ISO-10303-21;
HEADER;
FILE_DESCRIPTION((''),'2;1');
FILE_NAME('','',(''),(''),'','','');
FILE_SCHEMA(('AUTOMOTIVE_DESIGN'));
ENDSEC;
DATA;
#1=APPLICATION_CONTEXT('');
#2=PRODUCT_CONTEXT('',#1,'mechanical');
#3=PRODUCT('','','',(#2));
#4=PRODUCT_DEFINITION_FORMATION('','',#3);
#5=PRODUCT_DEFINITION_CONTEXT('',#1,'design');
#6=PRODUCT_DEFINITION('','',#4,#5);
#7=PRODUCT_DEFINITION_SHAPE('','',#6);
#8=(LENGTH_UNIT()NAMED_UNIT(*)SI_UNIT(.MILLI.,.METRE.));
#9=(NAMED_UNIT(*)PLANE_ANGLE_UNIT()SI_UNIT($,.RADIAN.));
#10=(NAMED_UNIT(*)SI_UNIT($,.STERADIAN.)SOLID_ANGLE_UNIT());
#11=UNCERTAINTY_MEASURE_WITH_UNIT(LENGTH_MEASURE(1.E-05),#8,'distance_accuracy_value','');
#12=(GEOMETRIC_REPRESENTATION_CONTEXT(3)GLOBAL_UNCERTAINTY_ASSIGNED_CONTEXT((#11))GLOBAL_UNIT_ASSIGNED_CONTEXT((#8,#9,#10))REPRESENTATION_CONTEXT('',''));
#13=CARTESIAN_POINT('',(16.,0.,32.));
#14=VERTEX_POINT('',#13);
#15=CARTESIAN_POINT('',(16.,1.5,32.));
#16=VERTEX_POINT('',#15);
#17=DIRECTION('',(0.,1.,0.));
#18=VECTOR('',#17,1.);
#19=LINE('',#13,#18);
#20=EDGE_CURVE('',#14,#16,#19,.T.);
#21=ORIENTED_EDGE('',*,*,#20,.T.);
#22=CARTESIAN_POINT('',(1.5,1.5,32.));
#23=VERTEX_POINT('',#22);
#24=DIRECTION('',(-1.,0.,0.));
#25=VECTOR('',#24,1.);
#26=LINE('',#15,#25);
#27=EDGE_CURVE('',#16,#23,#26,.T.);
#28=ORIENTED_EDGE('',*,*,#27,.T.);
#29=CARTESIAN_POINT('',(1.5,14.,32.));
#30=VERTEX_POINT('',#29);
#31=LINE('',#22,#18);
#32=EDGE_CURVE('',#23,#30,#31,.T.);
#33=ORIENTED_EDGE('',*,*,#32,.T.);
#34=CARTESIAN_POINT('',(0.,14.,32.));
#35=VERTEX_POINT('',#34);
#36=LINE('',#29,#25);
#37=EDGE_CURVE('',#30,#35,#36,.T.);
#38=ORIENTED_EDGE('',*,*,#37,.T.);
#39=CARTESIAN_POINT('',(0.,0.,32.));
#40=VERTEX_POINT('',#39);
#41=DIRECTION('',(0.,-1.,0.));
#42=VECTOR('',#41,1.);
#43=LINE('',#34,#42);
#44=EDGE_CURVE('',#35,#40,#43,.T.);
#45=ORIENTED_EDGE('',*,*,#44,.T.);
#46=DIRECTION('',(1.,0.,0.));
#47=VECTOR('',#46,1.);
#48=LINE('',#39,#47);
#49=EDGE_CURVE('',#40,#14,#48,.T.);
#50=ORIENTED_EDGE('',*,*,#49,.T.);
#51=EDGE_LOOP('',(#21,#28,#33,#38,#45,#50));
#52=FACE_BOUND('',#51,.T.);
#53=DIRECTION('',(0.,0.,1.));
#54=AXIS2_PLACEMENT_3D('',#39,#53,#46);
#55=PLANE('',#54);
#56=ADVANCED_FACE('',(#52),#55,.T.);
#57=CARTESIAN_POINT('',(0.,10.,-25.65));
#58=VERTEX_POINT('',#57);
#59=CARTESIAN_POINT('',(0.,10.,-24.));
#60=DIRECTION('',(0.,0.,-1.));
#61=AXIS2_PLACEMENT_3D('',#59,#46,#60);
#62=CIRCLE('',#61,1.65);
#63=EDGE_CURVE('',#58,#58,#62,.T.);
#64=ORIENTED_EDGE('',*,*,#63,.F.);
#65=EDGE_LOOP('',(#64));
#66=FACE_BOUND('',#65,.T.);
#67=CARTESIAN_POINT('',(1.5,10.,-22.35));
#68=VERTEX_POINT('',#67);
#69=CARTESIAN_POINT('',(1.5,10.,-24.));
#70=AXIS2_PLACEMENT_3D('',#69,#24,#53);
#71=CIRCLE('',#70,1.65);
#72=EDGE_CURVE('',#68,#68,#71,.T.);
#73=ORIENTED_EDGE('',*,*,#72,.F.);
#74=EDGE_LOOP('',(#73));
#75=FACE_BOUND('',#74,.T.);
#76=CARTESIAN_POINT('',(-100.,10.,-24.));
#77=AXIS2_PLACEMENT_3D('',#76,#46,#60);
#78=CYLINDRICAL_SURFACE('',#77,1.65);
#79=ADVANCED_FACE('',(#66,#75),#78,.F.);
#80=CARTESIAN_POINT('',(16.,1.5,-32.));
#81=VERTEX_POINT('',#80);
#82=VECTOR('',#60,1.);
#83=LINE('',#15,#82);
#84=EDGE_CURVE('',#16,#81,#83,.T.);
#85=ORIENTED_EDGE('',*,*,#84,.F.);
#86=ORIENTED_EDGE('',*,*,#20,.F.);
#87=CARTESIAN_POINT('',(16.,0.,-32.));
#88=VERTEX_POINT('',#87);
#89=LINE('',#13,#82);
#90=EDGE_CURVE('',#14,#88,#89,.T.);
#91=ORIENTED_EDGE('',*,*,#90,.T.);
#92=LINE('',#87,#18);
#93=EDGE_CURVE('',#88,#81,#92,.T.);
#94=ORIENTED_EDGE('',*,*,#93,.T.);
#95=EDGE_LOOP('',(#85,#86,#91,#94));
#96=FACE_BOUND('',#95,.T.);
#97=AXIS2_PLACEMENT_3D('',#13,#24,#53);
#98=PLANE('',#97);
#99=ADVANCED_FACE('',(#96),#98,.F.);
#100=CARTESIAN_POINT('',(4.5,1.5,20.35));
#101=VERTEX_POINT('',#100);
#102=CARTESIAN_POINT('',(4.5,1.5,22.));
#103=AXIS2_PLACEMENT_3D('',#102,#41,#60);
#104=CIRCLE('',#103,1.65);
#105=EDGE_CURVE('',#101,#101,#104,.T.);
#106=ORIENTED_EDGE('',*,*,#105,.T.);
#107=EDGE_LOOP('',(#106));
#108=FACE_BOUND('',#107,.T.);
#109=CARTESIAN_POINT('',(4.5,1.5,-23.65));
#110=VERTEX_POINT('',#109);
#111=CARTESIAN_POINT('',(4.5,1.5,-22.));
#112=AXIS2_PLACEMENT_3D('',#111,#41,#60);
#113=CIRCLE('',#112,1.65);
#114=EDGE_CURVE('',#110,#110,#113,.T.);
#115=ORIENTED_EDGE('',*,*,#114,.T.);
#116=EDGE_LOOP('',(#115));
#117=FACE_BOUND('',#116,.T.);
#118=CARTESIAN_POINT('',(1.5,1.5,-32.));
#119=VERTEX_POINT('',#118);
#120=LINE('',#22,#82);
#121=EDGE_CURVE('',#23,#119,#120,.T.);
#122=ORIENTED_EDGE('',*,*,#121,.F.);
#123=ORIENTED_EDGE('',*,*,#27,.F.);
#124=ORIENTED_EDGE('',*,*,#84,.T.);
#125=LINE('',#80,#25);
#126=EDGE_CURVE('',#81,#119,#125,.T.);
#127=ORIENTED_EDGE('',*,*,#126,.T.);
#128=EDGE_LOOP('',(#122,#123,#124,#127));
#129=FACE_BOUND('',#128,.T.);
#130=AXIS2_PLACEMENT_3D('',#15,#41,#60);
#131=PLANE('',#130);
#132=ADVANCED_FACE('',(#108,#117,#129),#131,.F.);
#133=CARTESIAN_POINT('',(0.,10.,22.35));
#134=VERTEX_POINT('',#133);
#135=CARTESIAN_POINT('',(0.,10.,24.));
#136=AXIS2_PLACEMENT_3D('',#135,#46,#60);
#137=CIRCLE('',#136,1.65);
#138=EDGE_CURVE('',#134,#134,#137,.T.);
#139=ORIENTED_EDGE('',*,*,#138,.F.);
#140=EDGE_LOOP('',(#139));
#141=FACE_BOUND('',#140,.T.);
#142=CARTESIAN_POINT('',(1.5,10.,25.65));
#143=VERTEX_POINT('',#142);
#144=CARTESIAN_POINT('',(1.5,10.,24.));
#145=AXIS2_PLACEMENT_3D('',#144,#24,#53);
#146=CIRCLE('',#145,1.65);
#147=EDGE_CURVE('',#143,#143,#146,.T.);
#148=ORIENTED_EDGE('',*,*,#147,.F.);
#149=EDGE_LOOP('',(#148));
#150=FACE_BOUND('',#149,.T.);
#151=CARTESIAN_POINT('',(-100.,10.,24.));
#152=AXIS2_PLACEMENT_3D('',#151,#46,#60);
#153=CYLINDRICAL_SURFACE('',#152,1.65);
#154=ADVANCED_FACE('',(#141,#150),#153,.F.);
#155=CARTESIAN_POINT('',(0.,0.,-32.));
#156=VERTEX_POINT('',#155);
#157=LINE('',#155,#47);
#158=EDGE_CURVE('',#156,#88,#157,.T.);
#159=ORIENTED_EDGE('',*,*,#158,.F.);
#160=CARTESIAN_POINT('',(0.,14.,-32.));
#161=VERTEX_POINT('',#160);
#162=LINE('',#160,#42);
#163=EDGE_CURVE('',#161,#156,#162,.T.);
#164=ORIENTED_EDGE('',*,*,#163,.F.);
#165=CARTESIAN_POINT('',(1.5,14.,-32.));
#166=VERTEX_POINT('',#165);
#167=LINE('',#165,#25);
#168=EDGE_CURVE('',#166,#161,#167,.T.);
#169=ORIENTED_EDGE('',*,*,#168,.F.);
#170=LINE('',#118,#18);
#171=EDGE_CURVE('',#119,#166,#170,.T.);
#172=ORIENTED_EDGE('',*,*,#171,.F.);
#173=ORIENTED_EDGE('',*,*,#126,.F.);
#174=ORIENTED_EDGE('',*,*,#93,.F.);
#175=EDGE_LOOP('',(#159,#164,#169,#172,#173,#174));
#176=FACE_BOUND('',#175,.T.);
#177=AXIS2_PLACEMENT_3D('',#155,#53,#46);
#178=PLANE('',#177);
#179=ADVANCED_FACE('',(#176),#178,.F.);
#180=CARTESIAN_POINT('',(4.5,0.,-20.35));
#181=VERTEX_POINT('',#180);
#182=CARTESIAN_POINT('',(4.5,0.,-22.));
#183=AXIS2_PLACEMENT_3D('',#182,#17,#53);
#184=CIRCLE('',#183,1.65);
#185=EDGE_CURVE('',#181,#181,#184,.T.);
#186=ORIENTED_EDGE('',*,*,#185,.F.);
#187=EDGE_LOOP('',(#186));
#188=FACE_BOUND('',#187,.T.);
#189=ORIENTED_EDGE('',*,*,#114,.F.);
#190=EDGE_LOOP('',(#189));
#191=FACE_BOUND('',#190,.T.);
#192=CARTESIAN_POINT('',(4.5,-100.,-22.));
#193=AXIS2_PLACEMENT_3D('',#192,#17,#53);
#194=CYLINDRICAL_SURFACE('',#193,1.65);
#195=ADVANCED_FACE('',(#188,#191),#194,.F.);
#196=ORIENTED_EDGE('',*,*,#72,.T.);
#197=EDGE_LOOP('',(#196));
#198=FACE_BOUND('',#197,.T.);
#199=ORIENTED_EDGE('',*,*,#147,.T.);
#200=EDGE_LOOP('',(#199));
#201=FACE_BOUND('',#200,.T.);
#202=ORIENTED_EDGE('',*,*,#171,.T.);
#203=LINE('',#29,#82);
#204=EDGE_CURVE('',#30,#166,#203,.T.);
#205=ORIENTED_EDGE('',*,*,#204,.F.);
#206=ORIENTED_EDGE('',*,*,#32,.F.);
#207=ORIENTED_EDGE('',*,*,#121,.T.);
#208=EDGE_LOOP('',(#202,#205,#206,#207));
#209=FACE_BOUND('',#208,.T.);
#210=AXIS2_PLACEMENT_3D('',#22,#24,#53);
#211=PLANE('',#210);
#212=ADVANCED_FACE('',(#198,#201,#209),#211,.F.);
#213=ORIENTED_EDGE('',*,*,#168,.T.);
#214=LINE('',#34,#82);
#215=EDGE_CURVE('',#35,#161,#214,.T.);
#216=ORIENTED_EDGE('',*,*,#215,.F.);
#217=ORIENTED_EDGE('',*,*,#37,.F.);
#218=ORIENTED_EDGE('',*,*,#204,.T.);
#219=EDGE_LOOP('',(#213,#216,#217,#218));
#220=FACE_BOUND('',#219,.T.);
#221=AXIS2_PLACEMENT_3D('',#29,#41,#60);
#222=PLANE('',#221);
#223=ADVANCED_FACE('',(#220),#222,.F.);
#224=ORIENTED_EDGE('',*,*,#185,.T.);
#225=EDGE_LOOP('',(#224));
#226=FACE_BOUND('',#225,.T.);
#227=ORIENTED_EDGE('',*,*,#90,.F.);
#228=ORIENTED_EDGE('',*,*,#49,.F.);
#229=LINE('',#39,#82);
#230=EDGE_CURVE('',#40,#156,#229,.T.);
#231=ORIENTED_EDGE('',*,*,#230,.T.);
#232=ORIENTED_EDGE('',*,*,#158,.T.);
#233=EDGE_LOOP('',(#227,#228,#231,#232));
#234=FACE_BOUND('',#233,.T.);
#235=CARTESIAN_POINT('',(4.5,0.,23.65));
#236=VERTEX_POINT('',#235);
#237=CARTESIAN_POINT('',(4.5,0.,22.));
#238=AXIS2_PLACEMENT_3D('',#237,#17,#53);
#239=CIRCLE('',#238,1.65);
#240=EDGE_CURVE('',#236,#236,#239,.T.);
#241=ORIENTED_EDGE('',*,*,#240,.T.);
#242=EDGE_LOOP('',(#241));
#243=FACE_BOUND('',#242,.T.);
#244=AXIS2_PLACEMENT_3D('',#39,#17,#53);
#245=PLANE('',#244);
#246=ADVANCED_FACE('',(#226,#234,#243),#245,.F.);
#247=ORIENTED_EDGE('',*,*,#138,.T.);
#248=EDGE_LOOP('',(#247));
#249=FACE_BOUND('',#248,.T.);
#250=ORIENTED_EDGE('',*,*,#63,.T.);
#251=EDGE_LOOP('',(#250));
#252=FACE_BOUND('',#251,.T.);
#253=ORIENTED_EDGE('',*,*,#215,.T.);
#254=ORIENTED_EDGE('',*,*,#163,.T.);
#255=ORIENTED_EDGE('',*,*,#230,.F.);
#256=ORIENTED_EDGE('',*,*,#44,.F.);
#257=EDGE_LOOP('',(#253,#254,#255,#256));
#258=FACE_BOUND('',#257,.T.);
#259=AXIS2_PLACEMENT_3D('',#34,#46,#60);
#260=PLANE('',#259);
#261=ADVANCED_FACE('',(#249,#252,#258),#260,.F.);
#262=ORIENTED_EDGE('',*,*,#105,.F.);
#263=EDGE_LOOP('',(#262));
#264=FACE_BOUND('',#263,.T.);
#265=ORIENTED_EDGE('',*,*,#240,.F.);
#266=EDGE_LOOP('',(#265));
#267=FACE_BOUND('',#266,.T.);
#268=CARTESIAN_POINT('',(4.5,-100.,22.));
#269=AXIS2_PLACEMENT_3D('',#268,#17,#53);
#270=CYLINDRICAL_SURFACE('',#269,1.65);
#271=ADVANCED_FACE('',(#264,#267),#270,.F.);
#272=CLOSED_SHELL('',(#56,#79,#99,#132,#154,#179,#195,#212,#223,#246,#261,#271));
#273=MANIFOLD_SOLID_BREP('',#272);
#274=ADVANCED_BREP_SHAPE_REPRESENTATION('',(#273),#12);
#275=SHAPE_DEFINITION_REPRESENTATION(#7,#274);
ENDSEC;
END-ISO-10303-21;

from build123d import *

# Parameters (mm, degrees)
F_1P5MM_64_START              = -32
F_1P5MM_64_DEPTH              = 64
CUT_EXTRUDE_M3_1_DEPTH        = 100
CUT_EXTRUDE_M3_1_DEPTH_BACK   = 100
SKETCH_2_R                    = 1.65
CUT_EXTRUDE_M3_1_2_DEPTH      = 100
CUT_EXTRUDE_M3_1_2_DEPTH_BACK = 100
SKETCH_3_R                    = 1.65
CUT_EXTRUDE_M3_1_3_DEPTH      = 100
CUT_EXTRUDE_M3_1_3_DEPTH_BACK = 100
SKETCH_4_R                    = 1.65
CUT_EXTRUDE_M3_1_4_DEPTH      = 100
CUT_EXTRUDE_M3_1_4_DEPTH_BACK = 100
SKETCH_5_R                    = 1.65


with BuildPart() as part:
    # 草图1 → 1p5mm铝合金直角座_宽64 (new body)
    with BuildSketch(Plane.XY.offset(F_1P5MM_64_START)):
        Polygon((0, 0), (16, 0), (16, 1.5), (1.5, 1.5), (1.5, 14), (0, 14), align=None)
    extrude(amount=F_1P5MM_64_DEPTH)

    # 草图2 → Cut-Extrude M3_-1 (cut, two sides: drawn at the far end of the back side and taken through both)
    with BuildSketch(Plane(origin=(0, 0, 0), x_dir=(0, 0, -1), z_dir=(1, 0, 0)).offset(-CUT_EXTRUDE_M3_1_DEPTH_BACK)):
        with Locations((24, 10)):
            Circle(SKETCH_2_R)
    extrude(amount=CUT_EXTRUDE_M3_1_DEPTH + CUT_EXTRUDE_M3_1_DEPTH_BACK, mode=Mode.SUBTRACT)

    # 草图3 → Cut-Extrude M3_-1 2 (cut, two sides: drawn at the far end of the back side and taken through both)
    with BuildSketch(Plane(origin=(0, 0, 0), x_dir=(1, 0, 0), z_dir=(0, 1, 0)).offset(-CUT_EXTRUDE_M3_1_2_DEPTH_BACK)):
        with Locations(Location((4.5, 22, 0), (0, 0, 270))):
            Circle(SKETCH_3_R)
    extrude(amount=CUT_EXTRUDE_M3_1_2_DEPTH + CUT_EXTRUDE_M3_1_2_DEPTH_BACK, mode=Mode.SUBTRACT)

    # 草图4 → Cut-Extrude M3_1 3 (cut, two sides: drawn at the far end of the back side and taken through both)
    with BuildSketch(Plane(origin=(0, 0, 0), x_dir=(0, 0, -1), z_dir=(1, 0, 0)).offset(-CUT_EXTRUDE_M3_1_3_DEPTH_BACK)):
        with Locations((-24, 10)):
            Circle(SKETCH_4_R)
    extrude(amount=CUT_EXTRUDE_M3_1_3_DEPTH + CUT_EXTRUDE_M3_1_3_DEPTH_BACK, mode=Mode.SUBTRACT)

    # 草图5 → Cut-Extrude M3_1 4 (cut, two sides: drawn at the far end of the back side and taken through both)
    with BuildSketch(Plane(origin=(0, 0, 0), x_dir=(1, 0, 0), z_dir=(0, 1, 0)).offset(-CUT_EXTRUDE_M3_1_4_DEPTH_BACK)):
        with Locations(Location((4.5, -22, 0), (0, 0, 270))):
            Circle(SKETCH_5_R)
    extrude(amount=CUT_EXTRUDE_M3_1_4_DEPTH + CUT_EXTRUDE_M3_1_4_DEPTH_BACK, mode=Mode.SUBTRACT)


solid = part.part
